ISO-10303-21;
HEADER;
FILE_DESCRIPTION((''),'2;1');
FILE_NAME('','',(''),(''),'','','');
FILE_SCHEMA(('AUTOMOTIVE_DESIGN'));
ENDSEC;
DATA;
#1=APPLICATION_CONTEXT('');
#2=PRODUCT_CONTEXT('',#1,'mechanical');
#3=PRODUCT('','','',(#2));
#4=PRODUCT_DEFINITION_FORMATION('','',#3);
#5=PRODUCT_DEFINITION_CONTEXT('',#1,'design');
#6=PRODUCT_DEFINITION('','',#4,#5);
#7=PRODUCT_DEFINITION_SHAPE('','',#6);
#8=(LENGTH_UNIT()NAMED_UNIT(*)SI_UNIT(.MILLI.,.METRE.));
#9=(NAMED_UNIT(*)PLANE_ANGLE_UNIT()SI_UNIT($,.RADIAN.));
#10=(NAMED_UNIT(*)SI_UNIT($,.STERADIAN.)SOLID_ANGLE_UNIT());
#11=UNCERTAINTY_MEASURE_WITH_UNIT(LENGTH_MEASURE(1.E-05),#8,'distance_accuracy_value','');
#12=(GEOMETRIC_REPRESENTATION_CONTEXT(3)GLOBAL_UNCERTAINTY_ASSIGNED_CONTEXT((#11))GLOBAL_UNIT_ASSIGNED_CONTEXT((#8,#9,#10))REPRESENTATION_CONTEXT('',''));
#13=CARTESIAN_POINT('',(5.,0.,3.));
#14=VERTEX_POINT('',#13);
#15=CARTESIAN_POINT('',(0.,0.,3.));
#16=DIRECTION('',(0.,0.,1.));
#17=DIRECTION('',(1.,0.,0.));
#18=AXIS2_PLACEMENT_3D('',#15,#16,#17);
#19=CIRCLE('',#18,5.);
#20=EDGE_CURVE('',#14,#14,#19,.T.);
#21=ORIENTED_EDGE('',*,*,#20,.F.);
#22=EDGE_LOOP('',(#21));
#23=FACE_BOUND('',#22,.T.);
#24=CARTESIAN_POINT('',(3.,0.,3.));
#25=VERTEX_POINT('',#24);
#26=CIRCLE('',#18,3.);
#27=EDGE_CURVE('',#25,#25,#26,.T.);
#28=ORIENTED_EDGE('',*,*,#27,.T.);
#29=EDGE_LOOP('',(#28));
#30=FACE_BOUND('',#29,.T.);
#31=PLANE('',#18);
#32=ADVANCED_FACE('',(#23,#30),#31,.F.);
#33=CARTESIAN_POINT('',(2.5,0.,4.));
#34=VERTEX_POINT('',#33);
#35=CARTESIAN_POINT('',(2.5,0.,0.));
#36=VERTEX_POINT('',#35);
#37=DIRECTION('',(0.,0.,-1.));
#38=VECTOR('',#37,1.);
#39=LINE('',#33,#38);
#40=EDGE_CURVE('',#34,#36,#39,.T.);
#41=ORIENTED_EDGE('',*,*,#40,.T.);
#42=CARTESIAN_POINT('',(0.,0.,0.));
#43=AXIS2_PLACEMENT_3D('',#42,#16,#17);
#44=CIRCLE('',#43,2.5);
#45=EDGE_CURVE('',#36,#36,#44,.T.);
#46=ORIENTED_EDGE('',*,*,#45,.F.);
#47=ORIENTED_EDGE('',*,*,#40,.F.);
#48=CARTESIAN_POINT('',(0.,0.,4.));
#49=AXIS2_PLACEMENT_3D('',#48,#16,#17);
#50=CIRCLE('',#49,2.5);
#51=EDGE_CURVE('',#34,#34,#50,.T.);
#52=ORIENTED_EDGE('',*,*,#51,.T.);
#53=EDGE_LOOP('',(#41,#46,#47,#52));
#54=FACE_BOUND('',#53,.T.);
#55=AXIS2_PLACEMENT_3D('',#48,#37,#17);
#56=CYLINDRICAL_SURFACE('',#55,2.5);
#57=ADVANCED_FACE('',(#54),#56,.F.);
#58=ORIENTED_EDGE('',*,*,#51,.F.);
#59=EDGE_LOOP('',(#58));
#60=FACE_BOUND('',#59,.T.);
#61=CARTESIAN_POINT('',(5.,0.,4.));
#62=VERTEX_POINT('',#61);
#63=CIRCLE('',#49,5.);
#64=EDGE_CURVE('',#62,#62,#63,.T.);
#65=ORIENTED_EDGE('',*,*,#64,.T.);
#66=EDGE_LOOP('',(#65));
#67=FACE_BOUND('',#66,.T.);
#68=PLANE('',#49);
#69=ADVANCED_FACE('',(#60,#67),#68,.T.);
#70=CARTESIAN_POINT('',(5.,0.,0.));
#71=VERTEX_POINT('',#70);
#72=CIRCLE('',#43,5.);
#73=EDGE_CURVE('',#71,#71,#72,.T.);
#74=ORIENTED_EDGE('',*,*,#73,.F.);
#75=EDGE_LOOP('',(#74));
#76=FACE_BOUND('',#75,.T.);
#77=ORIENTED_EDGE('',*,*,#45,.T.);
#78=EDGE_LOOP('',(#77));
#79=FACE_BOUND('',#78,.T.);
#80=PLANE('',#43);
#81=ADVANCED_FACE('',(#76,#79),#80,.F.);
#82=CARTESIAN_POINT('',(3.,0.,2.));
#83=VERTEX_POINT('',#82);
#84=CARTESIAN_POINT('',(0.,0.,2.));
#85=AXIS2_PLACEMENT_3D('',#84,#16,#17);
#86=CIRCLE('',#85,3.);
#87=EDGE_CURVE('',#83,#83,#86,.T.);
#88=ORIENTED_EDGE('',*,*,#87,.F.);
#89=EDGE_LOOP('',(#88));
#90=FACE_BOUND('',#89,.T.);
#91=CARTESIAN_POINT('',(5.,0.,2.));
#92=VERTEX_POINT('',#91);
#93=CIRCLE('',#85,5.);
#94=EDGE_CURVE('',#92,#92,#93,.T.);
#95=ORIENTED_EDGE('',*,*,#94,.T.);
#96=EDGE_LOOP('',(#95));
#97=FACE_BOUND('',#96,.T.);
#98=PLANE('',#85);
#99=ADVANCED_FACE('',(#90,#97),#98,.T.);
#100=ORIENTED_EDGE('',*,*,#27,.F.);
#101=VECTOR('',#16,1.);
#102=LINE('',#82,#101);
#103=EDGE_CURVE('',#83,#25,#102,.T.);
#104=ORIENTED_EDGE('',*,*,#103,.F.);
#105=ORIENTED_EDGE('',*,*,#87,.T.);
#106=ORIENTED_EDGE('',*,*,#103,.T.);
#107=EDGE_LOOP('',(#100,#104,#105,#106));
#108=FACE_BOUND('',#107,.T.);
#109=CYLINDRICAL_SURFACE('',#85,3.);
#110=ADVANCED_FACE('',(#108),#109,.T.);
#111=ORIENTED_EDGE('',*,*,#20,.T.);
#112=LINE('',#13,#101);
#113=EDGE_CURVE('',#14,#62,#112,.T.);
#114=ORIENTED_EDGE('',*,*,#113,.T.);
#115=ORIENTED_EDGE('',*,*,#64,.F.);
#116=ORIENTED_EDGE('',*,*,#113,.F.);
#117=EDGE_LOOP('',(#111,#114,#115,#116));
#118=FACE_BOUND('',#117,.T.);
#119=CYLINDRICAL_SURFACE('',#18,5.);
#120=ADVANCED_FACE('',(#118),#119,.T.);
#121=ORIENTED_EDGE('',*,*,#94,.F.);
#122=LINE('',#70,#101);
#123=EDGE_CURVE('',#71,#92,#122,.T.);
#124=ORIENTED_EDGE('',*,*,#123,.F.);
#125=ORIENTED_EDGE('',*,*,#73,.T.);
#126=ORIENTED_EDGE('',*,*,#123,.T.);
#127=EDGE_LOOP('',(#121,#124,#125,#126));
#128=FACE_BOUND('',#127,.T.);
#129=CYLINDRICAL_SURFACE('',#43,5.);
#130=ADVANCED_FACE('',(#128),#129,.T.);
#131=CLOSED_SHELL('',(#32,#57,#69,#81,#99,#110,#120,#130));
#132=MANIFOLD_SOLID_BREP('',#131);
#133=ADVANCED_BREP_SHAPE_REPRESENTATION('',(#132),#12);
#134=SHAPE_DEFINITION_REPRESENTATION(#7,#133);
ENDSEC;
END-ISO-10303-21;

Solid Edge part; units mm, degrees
sketch "Sketch1" plane through (0, 0, 0) normal (0, -1, 0) x (1, 0, 0)
  line L0 (2.5, 0) -> (5, 0)
  line L1 (5, 0) -> (5, 2)
  line L2 (5, 2) -> (3, 2)
  line L3 (3, 2) -> (3, 3)
  line L4 (3, 3) -> (5, 3)
  line L5 (5, 3) -> (5, 4)
  line L6 (5, 4) -> (2.5, 4)
  line L7 (2.5, 4) -> (2.5, 0)
  dimension "D1" = 2.5
  dimension "D2" = 2
  dimension "D3" = 1
  dimension "D4" = 1
  dimension "D5" = 5
  dimension "D6" = 3
revolve "RevolvedProtrusion1" add sketch "Sketch1" angle 360 about axis through (0, 0, 0) along (0, 0, 1)
properties material "Silicone"
